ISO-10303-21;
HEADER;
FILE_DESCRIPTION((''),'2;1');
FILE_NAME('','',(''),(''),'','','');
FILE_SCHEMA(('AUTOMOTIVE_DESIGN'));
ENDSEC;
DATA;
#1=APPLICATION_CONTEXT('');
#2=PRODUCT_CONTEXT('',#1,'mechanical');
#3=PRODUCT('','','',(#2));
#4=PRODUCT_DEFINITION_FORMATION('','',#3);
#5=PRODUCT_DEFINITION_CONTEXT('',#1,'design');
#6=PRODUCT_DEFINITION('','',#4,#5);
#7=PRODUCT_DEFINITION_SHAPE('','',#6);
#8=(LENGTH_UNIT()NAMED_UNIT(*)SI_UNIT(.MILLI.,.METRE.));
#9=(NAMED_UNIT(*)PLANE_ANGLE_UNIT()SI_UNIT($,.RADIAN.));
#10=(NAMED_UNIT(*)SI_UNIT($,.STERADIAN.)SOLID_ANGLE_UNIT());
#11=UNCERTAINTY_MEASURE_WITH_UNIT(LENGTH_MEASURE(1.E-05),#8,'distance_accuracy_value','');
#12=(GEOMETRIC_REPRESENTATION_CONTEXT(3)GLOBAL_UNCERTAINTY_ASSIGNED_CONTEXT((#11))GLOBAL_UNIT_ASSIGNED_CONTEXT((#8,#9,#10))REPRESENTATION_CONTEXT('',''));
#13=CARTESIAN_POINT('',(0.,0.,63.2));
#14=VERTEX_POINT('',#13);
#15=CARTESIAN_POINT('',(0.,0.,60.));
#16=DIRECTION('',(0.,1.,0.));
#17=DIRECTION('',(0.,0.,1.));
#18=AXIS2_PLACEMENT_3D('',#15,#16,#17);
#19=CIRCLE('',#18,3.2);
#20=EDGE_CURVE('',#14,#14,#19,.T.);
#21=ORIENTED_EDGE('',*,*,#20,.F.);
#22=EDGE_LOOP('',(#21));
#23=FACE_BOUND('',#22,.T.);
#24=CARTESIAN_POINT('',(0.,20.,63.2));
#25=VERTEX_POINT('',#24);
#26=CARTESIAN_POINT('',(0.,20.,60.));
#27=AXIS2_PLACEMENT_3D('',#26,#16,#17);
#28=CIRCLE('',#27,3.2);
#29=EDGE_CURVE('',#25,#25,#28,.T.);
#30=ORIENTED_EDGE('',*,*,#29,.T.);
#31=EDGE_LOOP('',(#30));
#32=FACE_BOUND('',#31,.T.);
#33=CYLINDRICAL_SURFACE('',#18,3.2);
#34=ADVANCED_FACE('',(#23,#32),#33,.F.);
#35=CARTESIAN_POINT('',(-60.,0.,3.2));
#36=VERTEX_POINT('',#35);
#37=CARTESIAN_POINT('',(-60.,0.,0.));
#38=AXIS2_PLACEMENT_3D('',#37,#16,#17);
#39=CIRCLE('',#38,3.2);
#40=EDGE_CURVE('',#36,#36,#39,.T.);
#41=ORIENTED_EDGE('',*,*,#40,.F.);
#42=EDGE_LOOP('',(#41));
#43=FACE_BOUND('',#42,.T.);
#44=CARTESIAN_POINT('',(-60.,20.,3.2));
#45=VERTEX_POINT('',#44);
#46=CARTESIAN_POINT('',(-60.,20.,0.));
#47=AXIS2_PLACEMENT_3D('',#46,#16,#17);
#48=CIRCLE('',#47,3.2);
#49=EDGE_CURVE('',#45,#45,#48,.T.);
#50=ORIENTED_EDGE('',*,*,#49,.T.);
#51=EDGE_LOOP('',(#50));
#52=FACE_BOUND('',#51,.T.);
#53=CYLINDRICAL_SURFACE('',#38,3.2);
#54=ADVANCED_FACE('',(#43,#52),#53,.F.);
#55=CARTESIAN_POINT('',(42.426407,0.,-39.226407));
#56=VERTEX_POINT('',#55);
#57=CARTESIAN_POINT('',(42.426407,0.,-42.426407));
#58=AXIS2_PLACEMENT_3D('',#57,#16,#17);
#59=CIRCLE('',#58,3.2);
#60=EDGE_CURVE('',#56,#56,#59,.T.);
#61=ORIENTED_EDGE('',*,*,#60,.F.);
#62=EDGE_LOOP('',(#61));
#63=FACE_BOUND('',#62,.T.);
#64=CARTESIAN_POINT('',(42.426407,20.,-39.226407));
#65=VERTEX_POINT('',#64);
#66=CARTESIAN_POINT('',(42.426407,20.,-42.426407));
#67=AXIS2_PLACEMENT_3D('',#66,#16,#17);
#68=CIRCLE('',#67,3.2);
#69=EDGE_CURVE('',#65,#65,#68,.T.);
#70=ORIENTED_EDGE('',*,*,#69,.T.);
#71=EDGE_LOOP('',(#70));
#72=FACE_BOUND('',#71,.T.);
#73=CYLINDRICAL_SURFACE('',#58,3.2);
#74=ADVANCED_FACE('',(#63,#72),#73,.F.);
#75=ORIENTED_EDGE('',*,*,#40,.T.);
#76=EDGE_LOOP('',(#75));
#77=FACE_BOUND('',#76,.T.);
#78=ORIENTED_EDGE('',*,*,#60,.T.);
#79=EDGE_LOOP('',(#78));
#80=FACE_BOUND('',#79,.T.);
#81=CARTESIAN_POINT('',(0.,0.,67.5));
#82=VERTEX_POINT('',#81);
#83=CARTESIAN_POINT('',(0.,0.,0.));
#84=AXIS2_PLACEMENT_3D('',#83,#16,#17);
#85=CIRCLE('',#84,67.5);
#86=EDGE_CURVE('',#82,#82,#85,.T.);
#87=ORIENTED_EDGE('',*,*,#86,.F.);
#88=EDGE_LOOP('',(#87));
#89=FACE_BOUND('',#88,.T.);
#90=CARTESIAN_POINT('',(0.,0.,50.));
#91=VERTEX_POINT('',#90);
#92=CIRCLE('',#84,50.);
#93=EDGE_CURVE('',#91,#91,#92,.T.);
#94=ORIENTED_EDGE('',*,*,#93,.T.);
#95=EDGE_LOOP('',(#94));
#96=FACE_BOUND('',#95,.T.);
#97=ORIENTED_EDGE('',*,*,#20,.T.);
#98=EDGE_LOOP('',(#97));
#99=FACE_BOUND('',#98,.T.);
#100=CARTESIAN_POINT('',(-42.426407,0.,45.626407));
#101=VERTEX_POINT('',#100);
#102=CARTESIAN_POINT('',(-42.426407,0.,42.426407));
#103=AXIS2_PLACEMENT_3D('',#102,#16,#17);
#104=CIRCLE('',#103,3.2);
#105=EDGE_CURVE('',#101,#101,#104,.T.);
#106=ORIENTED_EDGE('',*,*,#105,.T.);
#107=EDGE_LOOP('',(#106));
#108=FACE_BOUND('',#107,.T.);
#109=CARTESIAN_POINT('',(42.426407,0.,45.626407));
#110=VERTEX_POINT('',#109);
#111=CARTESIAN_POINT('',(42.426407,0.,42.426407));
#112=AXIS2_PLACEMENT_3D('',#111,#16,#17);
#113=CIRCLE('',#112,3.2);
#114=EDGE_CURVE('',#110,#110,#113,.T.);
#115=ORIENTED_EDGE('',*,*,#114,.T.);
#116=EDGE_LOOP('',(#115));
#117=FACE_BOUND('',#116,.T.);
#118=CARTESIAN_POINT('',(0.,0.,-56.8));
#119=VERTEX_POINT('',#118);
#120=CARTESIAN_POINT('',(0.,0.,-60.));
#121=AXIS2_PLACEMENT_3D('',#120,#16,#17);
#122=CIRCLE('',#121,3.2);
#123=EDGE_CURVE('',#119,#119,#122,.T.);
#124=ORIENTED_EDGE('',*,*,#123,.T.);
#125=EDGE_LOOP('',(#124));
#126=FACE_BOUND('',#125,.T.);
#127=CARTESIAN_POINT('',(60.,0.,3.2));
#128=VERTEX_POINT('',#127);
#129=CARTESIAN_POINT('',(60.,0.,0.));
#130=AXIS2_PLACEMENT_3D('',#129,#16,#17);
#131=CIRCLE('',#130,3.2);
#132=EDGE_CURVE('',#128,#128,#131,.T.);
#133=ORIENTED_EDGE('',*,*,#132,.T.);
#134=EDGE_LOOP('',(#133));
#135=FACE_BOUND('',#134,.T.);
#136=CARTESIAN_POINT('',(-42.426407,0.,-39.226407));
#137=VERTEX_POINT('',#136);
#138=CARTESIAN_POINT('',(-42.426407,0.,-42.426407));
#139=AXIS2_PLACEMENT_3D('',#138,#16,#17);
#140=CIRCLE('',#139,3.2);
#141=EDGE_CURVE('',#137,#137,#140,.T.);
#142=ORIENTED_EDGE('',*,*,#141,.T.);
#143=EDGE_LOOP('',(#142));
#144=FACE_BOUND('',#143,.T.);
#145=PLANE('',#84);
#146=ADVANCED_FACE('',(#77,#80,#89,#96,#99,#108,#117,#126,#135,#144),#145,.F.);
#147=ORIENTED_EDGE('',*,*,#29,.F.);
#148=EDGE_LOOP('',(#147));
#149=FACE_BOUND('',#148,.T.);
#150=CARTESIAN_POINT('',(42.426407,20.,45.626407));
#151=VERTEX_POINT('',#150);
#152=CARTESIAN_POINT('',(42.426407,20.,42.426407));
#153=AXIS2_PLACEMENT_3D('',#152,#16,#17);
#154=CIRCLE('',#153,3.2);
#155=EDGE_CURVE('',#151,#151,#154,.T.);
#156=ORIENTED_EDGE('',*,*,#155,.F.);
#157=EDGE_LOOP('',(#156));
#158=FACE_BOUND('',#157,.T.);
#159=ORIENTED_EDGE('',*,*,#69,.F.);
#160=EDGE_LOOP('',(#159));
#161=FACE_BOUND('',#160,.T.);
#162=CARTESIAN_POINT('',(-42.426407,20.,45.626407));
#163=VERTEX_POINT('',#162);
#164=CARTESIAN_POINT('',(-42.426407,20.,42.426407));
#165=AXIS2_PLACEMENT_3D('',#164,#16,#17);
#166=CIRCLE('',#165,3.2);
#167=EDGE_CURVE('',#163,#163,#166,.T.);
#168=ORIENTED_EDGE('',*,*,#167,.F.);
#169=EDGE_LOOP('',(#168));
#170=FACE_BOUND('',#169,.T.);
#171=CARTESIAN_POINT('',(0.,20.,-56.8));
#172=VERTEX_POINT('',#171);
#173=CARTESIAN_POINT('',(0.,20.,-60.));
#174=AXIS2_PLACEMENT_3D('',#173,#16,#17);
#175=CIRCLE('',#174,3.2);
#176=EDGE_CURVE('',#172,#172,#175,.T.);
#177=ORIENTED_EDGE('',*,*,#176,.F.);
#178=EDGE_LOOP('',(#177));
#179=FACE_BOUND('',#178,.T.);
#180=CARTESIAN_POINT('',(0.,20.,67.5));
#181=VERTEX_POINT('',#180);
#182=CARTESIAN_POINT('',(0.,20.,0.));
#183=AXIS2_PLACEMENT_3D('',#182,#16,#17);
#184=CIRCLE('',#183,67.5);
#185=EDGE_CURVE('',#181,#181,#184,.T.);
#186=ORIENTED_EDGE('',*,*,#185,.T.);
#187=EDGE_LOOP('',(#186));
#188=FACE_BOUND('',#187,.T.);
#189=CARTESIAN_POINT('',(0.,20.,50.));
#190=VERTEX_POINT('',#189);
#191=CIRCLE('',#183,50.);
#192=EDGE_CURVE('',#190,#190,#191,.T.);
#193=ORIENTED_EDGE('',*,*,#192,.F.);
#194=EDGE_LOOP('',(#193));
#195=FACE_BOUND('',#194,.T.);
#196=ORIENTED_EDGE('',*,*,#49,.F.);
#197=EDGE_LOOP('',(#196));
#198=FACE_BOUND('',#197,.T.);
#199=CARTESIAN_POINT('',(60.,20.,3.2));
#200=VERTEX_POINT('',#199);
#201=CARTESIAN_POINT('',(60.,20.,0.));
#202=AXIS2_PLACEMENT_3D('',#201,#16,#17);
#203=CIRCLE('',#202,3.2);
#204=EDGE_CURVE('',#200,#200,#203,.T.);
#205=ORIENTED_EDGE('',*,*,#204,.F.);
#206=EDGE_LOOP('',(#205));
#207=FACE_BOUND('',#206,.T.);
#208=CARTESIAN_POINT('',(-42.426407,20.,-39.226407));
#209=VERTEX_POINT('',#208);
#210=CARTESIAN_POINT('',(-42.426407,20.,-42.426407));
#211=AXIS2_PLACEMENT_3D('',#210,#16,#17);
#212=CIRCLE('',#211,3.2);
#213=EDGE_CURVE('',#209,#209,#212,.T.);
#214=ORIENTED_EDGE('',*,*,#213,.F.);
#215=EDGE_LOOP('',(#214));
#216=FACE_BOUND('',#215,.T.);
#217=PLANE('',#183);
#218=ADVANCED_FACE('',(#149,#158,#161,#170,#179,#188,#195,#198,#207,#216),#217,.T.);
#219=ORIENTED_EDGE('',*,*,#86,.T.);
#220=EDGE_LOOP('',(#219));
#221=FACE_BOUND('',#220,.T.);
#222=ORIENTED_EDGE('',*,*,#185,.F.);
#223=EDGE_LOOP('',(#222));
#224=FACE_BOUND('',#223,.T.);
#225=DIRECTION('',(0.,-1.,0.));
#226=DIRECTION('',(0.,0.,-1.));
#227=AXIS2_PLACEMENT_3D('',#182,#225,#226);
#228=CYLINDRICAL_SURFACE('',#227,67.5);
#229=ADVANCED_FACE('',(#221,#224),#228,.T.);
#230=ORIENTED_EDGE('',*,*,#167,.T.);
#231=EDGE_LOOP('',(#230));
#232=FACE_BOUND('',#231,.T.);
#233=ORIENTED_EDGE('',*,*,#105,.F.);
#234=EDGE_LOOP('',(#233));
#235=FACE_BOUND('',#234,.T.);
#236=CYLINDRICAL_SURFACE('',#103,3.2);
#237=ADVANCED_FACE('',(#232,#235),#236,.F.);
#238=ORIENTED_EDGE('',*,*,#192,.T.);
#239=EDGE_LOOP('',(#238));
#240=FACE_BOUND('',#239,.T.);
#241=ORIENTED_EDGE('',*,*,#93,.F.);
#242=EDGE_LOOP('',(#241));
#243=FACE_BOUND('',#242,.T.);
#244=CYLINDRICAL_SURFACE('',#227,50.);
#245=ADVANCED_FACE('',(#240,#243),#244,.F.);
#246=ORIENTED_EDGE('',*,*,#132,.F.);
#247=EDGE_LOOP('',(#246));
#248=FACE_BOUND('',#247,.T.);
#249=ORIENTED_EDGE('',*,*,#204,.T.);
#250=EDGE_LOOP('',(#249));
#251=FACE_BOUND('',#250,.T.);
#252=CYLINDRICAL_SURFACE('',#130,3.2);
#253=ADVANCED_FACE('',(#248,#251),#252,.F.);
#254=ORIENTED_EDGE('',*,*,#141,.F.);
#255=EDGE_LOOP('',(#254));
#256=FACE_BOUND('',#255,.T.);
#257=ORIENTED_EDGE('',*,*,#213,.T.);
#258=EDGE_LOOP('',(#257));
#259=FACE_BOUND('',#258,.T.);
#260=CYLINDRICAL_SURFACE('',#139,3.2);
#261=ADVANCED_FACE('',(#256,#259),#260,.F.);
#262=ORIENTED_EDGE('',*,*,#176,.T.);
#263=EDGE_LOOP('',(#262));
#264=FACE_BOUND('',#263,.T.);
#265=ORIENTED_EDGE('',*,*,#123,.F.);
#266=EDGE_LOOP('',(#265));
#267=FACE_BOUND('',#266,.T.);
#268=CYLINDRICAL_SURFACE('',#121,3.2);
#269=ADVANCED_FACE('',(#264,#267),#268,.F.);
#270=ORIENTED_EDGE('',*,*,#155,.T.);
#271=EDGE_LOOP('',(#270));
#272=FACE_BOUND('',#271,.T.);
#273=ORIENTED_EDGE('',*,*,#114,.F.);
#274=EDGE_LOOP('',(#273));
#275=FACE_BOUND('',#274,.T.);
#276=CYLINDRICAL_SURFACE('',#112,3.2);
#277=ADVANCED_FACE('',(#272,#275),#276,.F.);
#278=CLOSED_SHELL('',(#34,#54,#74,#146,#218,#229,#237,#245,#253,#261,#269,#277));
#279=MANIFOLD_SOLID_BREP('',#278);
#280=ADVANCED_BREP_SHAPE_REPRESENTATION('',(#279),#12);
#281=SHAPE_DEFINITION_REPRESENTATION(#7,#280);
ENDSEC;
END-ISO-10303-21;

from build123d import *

# Parameters (mm, degrees)
SKETCH_1_R          = 67.5
SKETCH_1_R_2        = 50
EXTRUDE_1_DEPTH     = 20
SKETCH_2_R          = 3.2
CUT_EXTRUDE_1_DEPTH = 20


with BuildPart() as part:
    # 草图1 → 凸台-拉伸1 (new body)
    with BuildSketch(Plane(origin=(0, 0, 0), x_dir=(1, 0, 0), z_dir=(0, 1, 0))):
        with Locations(Location((0, 0, 0), (0, 0, 270))):
            Circle(SKETCH_1_R)
        with Locations(Location((0, 0, 0), (0, 0, 270))):
            Circle(SKETCH_1_R_2, mode=Mode.SUBTRACT)
    extrude(amount=EXTRUDE_1_DEPTH)

    # 草图2 → 切除-拉伸1 (cut)
    with BuildSketch(Plane(origin=(0, 20, 0), x_dir=(1, 0, 0), z_dir=(0, 1, 0))):
        with Locations(Location((0, 60, 0), (0, 0, 270))):
            Circle(SKETCH_2_R)
        with Locations(Location((42.426406871, 42.426406871, 0), (0, 0, 270))):
            Circle(SKETCH_2_R)
        with Locations(Location((60, 0, 0), (0, 0, 270))):
            Circle(SKETCH_2_R)
        with Locations(Location((42.426406871, -42.426406871, 0), (0, 0, 270))):
            Circle(SKETCH_2_R)
        with Locations(Location((0, -60, 0), (0, 0, 270))):
            Circle(SKETCH_2_R)
        with Locations(Location((-42.426406871, -42.426406871, 0), (0, 0, 270))):
            Circle(SKETCH_2_R)
        with Locations(Location((-60, 0, 0), (0, 0, 270))):
            Circle(SKETCH_2_R)
        with Locations(Location((-42.426406871, 42.426406871, 0), (0, 0, 270))):
            Circle(SKETCH_2_R)
    extrude(amount=-CUT_EXTRUDE_1_DEPTH, mode=Mode.SUBTRACT)


solid = part.part
